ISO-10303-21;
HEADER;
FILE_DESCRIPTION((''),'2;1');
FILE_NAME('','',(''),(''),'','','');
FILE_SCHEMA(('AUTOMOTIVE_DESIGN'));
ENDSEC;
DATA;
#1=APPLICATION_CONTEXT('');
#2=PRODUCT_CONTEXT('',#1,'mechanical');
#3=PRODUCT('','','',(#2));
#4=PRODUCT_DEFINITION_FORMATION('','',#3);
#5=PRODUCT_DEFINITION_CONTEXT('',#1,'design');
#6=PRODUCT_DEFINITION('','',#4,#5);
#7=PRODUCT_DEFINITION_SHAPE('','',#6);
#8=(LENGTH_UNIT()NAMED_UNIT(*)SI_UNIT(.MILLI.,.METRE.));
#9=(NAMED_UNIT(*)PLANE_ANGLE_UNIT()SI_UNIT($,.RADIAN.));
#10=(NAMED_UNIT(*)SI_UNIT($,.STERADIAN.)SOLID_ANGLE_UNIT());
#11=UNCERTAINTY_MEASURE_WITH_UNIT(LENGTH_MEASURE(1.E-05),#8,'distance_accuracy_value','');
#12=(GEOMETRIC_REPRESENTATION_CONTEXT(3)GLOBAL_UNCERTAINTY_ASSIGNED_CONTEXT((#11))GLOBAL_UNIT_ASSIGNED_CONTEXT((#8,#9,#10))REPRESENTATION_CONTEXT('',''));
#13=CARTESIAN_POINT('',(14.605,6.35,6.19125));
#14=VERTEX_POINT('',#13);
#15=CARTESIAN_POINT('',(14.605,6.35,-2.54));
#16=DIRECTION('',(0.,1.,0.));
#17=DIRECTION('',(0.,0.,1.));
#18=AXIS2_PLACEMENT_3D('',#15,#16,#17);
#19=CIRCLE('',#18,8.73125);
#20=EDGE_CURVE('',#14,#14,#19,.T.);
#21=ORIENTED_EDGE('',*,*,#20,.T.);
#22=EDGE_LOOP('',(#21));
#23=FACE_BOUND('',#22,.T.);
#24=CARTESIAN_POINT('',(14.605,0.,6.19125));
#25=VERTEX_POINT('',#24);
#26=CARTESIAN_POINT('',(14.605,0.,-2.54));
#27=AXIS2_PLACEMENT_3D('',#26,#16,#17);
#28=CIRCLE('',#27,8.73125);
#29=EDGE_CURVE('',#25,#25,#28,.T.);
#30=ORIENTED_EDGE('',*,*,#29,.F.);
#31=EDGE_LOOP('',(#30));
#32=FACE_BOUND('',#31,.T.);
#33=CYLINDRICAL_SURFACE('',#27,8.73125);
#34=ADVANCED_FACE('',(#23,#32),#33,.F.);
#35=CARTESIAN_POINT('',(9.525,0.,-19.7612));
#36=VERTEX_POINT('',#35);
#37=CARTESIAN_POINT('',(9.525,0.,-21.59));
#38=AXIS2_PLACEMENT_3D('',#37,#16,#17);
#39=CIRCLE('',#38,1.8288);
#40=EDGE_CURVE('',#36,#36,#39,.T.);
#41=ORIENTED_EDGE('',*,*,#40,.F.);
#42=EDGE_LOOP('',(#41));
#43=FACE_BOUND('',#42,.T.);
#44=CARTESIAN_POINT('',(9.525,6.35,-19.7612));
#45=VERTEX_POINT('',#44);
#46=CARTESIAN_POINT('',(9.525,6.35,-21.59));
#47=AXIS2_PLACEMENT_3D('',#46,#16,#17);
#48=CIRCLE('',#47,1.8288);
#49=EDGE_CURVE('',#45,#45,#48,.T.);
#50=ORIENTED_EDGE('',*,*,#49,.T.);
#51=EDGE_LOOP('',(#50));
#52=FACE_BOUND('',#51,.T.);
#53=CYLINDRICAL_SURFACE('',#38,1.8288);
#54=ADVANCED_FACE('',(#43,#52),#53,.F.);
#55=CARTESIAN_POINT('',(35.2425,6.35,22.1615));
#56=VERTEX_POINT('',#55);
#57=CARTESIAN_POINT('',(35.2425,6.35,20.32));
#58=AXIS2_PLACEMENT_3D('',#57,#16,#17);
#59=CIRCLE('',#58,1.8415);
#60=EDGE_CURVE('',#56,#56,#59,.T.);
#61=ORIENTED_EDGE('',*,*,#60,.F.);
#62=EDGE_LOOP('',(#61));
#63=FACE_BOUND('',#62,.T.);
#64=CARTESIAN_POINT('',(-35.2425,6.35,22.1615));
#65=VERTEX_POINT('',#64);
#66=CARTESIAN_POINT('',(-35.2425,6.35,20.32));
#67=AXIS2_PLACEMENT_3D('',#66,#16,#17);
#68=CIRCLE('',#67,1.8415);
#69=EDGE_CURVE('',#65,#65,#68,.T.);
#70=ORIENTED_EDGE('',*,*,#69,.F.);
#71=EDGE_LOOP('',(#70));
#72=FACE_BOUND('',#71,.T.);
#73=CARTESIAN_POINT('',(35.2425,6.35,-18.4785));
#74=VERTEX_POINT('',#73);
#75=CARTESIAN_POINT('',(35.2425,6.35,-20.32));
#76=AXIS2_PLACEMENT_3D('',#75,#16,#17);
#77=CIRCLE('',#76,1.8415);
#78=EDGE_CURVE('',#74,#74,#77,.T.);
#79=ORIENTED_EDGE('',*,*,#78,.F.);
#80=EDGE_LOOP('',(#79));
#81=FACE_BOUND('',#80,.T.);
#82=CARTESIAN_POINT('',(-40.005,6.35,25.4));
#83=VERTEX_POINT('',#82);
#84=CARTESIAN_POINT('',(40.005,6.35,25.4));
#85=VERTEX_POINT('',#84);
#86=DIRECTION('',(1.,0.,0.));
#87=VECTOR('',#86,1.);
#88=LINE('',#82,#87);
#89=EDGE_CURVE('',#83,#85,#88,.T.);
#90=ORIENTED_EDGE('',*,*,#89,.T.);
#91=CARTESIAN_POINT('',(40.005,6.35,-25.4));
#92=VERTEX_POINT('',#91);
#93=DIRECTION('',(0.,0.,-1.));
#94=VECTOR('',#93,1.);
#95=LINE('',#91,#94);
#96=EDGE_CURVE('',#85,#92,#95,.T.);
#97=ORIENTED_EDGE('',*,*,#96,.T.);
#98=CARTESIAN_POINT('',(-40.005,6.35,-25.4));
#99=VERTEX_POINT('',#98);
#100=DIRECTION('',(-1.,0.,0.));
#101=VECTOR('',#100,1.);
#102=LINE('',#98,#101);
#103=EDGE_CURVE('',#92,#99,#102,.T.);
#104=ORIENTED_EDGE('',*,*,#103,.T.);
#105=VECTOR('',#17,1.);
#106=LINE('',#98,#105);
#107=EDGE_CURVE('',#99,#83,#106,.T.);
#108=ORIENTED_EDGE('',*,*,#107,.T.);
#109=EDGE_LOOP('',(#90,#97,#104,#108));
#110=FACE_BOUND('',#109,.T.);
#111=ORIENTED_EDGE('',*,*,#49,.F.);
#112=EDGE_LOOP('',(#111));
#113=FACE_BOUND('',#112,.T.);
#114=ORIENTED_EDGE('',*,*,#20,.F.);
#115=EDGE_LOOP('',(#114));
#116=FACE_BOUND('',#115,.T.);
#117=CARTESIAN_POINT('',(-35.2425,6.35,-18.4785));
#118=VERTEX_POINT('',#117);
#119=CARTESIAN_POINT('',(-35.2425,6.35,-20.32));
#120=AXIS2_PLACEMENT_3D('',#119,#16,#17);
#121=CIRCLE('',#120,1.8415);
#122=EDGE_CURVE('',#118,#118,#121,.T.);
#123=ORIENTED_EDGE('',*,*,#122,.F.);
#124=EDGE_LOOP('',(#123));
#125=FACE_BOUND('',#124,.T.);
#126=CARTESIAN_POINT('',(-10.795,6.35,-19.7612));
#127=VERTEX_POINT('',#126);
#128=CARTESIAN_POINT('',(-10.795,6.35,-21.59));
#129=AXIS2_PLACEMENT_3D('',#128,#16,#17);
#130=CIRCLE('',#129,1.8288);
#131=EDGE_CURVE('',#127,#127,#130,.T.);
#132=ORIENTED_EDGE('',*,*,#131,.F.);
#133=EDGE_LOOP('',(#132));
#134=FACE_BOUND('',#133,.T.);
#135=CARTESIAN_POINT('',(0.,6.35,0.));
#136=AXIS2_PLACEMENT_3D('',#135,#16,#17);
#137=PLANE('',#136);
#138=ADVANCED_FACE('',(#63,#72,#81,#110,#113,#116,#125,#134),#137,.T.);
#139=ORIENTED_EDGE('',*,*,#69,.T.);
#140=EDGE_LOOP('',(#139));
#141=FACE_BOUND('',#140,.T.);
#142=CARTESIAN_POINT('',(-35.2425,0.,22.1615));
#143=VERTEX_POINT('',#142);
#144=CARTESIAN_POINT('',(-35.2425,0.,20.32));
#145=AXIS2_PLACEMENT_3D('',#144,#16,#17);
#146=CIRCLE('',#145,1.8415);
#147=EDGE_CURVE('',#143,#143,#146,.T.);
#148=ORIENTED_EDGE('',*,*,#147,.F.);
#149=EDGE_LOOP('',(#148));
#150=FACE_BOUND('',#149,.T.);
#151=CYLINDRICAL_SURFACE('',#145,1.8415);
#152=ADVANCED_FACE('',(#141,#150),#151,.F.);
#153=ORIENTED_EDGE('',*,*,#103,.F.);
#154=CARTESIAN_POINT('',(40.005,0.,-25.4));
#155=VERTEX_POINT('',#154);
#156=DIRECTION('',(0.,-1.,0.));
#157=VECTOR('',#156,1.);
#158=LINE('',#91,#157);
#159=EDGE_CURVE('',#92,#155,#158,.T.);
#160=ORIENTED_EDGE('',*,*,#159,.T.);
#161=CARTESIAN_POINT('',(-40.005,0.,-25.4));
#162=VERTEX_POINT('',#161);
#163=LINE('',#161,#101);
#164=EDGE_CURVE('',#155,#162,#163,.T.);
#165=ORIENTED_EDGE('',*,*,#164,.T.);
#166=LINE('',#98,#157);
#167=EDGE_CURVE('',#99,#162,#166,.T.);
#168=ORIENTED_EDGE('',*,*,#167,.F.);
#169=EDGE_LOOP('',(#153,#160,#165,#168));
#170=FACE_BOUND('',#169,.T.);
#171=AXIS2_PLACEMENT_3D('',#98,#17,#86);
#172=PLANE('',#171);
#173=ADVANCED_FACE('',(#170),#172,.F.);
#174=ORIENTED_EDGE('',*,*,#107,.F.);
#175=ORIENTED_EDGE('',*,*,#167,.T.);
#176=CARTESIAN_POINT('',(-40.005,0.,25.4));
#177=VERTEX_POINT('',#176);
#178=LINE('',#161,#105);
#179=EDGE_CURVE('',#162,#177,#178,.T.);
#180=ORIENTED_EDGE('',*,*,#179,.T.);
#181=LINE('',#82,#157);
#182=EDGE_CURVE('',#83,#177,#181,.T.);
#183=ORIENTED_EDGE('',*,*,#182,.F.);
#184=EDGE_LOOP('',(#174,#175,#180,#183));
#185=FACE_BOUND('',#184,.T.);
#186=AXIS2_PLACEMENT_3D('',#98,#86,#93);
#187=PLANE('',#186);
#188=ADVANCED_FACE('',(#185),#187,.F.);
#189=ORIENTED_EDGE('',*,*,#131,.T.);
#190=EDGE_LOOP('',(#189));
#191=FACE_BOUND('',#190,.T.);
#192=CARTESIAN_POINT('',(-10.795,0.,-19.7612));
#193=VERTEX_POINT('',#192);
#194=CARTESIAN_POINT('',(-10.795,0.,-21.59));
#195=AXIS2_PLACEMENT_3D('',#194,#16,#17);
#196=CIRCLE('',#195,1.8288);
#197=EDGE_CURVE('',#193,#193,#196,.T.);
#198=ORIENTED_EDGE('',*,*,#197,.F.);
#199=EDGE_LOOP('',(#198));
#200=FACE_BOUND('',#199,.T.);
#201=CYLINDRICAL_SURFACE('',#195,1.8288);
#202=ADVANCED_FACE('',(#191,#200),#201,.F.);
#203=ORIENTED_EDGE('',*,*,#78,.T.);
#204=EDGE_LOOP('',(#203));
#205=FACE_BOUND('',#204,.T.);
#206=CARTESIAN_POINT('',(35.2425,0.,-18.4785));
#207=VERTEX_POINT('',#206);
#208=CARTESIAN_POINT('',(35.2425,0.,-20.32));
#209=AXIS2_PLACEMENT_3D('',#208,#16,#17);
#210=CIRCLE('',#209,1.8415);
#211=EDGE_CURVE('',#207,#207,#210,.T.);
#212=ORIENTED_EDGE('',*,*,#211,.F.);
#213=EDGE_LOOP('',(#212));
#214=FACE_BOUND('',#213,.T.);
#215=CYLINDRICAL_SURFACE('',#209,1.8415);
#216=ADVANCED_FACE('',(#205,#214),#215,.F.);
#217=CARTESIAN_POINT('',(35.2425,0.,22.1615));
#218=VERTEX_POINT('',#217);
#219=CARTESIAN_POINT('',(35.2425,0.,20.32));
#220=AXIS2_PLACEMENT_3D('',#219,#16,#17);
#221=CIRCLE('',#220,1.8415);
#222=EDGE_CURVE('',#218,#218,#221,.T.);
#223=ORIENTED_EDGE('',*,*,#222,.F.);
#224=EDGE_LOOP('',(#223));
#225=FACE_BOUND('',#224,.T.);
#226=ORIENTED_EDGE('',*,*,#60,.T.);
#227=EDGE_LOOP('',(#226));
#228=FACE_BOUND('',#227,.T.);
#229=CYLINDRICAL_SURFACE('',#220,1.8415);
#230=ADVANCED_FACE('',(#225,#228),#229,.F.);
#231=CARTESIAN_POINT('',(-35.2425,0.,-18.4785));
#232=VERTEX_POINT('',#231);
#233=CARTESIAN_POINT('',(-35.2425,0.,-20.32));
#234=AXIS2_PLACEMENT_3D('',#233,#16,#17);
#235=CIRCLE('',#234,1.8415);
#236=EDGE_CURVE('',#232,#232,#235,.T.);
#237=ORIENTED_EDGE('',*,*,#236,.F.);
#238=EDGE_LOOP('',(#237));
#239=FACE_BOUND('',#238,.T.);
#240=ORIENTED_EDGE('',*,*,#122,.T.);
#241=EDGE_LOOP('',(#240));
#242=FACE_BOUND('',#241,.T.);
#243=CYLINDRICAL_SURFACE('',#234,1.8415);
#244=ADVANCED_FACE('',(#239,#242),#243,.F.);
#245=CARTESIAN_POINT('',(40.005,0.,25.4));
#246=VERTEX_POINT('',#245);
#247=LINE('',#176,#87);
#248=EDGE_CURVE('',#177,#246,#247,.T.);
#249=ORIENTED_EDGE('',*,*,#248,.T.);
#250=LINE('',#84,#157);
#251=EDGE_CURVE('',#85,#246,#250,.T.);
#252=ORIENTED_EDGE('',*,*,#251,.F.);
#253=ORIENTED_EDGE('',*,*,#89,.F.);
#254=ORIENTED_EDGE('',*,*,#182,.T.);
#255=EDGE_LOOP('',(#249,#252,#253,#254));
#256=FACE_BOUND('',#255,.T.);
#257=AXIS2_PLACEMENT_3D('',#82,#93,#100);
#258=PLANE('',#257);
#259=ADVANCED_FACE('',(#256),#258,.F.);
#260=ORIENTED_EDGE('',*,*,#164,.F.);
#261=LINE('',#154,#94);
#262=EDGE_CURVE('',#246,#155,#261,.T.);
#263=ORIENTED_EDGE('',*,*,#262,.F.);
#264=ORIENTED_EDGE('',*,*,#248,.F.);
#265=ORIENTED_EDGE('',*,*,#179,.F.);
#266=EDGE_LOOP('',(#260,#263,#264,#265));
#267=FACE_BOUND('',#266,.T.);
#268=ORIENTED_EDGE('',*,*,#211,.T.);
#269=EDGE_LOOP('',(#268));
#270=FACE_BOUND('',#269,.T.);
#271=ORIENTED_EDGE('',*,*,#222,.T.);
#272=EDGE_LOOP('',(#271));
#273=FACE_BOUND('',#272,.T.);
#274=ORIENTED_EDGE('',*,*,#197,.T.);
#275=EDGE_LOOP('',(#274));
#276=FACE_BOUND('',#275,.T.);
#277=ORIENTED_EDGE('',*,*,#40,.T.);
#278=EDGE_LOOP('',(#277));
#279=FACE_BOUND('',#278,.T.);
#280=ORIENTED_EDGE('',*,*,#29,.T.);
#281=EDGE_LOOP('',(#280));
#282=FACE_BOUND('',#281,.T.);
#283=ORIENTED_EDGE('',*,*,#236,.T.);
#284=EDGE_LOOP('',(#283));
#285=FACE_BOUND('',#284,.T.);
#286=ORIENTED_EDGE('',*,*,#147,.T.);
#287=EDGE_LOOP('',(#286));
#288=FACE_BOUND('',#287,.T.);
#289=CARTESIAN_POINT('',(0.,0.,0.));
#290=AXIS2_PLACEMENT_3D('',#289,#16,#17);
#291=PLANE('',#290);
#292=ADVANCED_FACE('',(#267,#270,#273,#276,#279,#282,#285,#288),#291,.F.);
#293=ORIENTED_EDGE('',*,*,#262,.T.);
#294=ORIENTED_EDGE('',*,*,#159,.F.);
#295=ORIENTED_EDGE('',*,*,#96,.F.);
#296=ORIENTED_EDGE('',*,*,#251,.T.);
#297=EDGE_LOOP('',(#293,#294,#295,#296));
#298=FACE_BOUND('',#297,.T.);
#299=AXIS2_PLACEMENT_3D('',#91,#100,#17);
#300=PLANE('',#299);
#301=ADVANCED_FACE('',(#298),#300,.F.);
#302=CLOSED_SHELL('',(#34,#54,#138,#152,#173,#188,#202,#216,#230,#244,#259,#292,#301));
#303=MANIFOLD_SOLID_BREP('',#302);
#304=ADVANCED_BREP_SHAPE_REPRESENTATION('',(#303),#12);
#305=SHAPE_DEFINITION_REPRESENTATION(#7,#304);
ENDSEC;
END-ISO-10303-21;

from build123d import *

# Parameters (mm, degrees)
SKETCH1_W           = 80.01
SKETCH1_H           = 50.8
BOSS_EXTRUDE1_DEPTH = 6.35
SKETCH2_R           = 1.8415
CUT_EXTRUDE1_DEPTH  = 48.81090383
SKETCH3_R           = 8.73125
SKETCH3_R_2         = 1.8288
CUT_EXTRUDE2_DEPTH  = 48.81090383


with BuildPart() as part:
    # Sketch1 → Boss-Extrude1 (new body)
    with BuildSketch(Plane(origin=(0, 0, 0), x_dir=(1, 0, 0), z_dir=(0, 1, 0))):
        Rectangle(SKETCH1_W, SKETCH1_H)
    extrude(amount=BOSS_EXTRUDE1_DEPTH)

    # Sketch2 → Cut-Extrude1 (cut, through all)
    with BuildSketch(Plane(origin=(0, 6.35, 0), x_dir=(1, 0, 0), z_dir=(0, 1, 0))):
        with Locations(Location((-35.2425, 20.32, 0), (0, 0, 270))):
            Circle(SKETCH2_R)
        with Locations(Location((-35.2425, -20.32, 0), (0, 0, 270))):
            Circle(SKETCH2_R)
        with Locations(Location((35.2425, -20.32, 0), (0, 0, 270))):
            Circle(SKETCH2_R)
        with Locations(Location((35.2425, 20.32, 0), (0, 0, 270))):
            Circle(SKETCH2_R)
    extrude(amount=-CUT_EXTRUDE1_DEPTH, mode=Mode.SUBTRACT)

    # Sketch3 → Cut-Extrude2 (cut, through all)
    with BuildSketch(Plane(origin=(0, 6.35, 0), x_dir=(1, 0, 0), z_dir=(0, 1, 0))):
        with Locations(Location((14.605, 2.54, 0), (0, 0, 270))):
            Circle(SKETCH3_R)
        with Locations(Location((-10.795, 21.59, 0), (0, 0, 270))):
            Circle(SKETCH3_R_2)
        with Locations(Location((9.525, 21.59, 0), (0, 0, 270))):
            Circle(SKETCH3_R_2)
    extrude(amount=-CUT_EXTRUDE2_DEPTH, mode=Mode.SUBTRACT)


solid = part.part
